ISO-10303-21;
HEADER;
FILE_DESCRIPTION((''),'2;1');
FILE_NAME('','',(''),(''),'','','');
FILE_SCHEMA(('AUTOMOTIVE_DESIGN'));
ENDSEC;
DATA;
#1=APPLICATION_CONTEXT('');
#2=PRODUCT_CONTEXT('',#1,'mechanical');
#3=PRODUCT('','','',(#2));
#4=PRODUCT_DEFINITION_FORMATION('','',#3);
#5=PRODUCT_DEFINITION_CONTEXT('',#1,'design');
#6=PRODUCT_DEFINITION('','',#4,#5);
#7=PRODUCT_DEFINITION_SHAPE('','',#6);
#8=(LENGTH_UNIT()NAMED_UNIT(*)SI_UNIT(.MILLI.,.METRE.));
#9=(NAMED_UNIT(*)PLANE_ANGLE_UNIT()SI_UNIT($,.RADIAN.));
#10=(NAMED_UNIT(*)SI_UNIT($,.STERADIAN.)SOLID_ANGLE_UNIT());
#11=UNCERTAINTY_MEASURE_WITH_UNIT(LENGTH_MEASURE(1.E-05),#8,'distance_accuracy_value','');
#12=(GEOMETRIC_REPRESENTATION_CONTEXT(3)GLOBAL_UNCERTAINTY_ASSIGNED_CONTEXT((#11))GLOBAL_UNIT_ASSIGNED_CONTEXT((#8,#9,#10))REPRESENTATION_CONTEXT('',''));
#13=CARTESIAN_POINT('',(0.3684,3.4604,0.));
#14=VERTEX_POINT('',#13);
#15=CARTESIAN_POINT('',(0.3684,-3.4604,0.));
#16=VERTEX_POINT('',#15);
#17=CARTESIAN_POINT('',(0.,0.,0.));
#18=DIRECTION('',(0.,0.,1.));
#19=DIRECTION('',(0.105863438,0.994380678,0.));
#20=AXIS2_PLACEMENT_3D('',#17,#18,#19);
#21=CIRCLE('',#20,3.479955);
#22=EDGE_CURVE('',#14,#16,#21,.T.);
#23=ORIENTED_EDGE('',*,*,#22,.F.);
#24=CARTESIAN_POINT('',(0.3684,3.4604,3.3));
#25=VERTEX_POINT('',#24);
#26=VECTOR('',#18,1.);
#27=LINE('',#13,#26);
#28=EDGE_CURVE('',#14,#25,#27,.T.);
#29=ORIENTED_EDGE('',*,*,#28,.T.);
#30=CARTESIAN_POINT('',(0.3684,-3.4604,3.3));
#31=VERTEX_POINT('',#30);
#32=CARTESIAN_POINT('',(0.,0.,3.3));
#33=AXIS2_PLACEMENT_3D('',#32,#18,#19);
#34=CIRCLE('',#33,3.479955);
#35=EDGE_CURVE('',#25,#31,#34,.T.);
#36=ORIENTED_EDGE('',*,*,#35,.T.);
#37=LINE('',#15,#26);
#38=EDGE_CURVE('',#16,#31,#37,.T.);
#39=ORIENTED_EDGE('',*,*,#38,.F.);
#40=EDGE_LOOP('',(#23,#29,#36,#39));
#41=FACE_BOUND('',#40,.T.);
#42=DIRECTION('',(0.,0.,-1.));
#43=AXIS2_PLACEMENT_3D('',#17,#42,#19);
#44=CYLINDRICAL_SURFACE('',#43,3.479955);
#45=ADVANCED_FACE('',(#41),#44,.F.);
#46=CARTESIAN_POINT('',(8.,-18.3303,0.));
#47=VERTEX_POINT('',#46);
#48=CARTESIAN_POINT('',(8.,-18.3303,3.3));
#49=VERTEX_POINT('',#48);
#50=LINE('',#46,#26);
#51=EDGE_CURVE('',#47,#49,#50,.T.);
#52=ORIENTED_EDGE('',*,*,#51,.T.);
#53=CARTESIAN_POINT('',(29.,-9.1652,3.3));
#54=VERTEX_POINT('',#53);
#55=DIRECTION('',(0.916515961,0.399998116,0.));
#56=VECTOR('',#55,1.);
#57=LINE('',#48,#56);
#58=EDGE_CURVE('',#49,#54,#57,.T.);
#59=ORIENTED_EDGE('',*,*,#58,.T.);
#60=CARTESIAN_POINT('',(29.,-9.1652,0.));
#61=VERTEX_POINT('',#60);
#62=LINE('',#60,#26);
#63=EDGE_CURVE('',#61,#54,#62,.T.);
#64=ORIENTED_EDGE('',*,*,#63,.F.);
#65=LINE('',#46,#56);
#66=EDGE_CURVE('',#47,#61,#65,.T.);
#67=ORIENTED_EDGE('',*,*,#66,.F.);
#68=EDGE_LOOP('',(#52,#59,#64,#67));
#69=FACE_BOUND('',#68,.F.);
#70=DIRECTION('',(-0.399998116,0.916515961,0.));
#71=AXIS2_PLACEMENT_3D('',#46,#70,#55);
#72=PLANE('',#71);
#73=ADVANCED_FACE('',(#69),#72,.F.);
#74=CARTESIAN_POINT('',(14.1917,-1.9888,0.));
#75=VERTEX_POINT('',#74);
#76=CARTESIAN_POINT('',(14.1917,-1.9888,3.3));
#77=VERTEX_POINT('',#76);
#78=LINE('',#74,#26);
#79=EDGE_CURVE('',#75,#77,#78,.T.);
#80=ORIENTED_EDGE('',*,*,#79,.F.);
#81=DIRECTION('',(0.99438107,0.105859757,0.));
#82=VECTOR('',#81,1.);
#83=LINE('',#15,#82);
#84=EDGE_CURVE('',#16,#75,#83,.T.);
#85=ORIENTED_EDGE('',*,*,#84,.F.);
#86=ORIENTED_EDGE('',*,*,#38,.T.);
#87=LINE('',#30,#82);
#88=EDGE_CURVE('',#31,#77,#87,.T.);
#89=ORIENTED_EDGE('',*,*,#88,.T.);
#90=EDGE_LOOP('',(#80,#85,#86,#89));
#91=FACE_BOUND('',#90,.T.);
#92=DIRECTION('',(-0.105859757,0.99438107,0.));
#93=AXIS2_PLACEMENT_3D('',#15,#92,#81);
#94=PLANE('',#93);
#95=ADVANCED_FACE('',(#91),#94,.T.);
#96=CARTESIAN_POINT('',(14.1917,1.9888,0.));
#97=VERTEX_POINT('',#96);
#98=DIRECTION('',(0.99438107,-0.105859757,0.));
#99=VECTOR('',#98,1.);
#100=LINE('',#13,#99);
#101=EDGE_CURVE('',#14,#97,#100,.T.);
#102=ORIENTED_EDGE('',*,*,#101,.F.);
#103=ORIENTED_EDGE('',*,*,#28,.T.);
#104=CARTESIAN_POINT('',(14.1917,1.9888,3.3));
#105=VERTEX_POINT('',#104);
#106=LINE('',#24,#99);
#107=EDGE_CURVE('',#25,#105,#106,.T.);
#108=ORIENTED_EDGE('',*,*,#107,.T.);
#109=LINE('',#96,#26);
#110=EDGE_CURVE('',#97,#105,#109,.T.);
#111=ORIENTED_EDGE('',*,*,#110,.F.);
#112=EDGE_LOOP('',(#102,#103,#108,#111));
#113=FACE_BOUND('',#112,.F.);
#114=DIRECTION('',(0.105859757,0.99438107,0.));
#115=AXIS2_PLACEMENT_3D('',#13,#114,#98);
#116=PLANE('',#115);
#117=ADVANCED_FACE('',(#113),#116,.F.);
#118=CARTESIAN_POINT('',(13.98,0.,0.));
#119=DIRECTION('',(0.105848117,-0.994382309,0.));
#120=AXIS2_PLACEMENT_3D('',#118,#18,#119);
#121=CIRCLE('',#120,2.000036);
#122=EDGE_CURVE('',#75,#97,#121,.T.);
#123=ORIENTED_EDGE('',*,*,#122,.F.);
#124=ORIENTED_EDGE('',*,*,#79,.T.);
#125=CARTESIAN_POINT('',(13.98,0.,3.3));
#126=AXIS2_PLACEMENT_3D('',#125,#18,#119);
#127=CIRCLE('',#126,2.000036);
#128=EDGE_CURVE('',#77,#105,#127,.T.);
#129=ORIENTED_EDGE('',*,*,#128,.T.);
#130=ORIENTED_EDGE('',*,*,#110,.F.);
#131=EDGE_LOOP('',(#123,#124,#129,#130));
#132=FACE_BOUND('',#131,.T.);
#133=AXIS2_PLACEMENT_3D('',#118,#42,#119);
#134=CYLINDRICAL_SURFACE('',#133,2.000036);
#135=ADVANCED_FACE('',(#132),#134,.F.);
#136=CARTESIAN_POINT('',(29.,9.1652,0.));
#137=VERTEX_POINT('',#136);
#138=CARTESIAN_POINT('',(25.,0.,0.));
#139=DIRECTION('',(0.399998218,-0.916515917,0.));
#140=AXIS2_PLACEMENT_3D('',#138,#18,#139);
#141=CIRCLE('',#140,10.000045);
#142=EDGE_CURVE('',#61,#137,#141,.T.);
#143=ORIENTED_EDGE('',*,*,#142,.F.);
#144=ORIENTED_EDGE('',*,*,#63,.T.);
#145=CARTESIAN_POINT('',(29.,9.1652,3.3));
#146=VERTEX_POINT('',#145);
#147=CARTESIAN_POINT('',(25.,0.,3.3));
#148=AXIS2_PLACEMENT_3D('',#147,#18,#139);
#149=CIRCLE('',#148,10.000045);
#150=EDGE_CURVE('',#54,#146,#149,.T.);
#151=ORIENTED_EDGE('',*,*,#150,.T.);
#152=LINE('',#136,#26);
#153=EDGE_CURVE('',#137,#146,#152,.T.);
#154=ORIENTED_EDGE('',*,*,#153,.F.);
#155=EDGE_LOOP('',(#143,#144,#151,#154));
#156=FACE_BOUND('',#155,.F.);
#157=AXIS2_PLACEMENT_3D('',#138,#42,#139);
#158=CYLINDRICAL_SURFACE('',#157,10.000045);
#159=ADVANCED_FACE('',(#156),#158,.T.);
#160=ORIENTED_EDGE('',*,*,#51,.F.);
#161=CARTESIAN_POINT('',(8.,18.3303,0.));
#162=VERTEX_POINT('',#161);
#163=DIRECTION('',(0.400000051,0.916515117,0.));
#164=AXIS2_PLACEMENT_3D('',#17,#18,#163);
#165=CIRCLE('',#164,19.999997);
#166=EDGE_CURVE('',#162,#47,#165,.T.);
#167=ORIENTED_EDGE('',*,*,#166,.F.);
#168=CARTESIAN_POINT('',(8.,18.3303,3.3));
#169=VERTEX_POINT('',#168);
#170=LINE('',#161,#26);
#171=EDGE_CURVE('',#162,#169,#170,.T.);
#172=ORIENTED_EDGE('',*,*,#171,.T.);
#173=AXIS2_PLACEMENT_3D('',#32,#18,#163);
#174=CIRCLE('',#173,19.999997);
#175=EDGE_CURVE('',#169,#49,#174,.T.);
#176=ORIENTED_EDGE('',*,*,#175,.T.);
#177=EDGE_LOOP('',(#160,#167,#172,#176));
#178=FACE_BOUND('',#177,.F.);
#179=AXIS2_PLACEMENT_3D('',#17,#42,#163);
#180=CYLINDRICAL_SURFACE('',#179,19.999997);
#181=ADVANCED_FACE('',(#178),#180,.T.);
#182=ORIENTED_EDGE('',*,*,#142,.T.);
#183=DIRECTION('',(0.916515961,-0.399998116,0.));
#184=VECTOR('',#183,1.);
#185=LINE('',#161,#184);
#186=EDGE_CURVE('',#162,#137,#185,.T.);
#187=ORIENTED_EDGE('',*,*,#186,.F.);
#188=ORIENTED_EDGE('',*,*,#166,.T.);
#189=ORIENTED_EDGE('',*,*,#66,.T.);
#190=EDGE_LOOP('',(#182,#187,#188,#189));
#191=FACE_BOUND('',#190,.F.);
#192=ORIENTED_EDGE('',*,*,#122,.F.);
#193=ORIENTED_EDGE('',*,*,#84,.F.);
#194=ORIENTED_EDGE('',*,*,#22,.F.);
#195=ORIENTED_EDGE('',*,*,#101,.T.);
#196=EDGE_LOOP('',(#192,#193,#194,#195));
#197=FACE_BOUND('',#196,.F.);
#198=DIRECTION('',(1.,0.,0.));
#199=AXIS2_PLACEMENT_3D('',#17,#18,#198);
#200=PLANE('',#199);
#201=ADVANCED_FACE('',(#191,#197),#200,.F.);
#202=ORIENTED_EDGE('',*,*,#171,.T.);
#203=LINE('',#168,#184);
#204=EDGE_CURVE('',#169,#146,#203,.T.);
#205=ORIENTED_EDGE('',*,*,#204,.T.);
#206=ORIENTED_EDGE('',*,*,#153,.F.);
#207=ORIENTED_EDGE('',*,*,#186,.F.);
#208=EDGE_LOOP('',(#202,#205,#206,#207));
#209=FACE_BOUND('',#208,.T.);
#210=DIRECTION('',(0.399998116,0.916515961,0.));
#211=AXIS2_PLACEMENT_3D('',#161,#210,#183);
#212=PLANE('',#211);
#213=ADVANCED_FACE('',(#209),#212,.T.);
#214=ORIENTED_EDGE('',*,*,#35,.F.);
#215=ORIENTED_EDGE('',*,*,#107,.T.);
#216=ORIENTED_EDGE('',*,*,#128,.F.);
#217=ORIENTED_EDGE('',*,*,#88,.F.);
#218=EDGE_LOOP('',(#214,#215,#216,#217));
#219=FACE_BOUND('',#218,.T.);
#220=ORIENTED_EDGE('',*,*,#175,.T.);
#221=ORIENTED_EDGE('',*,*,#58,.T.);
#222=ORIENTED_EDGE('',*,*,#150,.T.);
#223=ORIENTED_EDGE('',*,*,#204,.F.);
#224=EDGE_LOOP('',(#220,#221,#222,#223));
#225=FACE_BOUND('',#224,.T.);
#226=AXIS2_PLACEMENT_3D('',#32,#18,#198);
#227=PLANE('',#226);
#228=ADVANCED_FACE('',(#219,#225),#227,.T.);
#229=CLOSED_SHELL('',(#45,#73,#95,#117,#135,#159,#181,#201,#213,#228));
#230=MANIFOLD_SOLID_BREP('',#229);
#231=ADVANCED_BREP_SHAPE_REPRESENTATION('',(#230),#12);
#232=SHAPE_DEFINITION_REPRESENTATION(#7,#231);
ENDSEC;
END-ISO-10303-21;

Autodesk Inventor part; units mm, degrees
ref_plane "YZ Plane" through (0, 0, 0) normal (1, 0, 0) x (0, 1, 0)
ref_plane "XZ Plane" through (0, 0, 0) normal (0, 1, 0) x (-1, 0, 0)
ref_plane "XY Plane" through (0, 0, 0) normal (0, 0, 1) x (1, 0, 0)
sketch "Sketch1" plane through (0, 0, 0) normal (0, 0, 1) x (1, 0, 0)
  line L0 (0.3684, -3.4604) -> (14.1917, -1.9888)
  arc A0 (0.3684, 3.4604) -> (0.3684, -3.4604) centre (0, 0) ccw
  line L1 (0.3684, 3.4604) -> (14.1917, 1.9888)
  arc A1 (14.1917, -1.9888) -> (14.1917, 1.9888) centre (13.98, 0) ccw
  line L2 (8, -18.3303) -> (29, -9.1652)
  line L3 (8, 18.3303) -> (29, 9.1652)
  arc A2 (29, -9.1652) -> (29, 9.1652) centre (25, 0) ccw
  arc A3 (8, 18.3303) -> (8, -18.3303) centre (0, 0) ccw
  dimension "d13" = 3.48
  dimension "d14" = 2
  dimension "d15" = 19.46
  dimension "d17" = 20
  dimension "d18" = 10
  dimension "d19" = 25
extrude "Extrusion2" add sketch "Sketch1" along normal blind 3.3
equation "\"d17\" = radio_muslo"
equation "\"d18\" = 0.5 * radio_muslo"
equation "\"radio_muslo\" = 20"
properties part number "Pata - Soporte Antebrazo"
